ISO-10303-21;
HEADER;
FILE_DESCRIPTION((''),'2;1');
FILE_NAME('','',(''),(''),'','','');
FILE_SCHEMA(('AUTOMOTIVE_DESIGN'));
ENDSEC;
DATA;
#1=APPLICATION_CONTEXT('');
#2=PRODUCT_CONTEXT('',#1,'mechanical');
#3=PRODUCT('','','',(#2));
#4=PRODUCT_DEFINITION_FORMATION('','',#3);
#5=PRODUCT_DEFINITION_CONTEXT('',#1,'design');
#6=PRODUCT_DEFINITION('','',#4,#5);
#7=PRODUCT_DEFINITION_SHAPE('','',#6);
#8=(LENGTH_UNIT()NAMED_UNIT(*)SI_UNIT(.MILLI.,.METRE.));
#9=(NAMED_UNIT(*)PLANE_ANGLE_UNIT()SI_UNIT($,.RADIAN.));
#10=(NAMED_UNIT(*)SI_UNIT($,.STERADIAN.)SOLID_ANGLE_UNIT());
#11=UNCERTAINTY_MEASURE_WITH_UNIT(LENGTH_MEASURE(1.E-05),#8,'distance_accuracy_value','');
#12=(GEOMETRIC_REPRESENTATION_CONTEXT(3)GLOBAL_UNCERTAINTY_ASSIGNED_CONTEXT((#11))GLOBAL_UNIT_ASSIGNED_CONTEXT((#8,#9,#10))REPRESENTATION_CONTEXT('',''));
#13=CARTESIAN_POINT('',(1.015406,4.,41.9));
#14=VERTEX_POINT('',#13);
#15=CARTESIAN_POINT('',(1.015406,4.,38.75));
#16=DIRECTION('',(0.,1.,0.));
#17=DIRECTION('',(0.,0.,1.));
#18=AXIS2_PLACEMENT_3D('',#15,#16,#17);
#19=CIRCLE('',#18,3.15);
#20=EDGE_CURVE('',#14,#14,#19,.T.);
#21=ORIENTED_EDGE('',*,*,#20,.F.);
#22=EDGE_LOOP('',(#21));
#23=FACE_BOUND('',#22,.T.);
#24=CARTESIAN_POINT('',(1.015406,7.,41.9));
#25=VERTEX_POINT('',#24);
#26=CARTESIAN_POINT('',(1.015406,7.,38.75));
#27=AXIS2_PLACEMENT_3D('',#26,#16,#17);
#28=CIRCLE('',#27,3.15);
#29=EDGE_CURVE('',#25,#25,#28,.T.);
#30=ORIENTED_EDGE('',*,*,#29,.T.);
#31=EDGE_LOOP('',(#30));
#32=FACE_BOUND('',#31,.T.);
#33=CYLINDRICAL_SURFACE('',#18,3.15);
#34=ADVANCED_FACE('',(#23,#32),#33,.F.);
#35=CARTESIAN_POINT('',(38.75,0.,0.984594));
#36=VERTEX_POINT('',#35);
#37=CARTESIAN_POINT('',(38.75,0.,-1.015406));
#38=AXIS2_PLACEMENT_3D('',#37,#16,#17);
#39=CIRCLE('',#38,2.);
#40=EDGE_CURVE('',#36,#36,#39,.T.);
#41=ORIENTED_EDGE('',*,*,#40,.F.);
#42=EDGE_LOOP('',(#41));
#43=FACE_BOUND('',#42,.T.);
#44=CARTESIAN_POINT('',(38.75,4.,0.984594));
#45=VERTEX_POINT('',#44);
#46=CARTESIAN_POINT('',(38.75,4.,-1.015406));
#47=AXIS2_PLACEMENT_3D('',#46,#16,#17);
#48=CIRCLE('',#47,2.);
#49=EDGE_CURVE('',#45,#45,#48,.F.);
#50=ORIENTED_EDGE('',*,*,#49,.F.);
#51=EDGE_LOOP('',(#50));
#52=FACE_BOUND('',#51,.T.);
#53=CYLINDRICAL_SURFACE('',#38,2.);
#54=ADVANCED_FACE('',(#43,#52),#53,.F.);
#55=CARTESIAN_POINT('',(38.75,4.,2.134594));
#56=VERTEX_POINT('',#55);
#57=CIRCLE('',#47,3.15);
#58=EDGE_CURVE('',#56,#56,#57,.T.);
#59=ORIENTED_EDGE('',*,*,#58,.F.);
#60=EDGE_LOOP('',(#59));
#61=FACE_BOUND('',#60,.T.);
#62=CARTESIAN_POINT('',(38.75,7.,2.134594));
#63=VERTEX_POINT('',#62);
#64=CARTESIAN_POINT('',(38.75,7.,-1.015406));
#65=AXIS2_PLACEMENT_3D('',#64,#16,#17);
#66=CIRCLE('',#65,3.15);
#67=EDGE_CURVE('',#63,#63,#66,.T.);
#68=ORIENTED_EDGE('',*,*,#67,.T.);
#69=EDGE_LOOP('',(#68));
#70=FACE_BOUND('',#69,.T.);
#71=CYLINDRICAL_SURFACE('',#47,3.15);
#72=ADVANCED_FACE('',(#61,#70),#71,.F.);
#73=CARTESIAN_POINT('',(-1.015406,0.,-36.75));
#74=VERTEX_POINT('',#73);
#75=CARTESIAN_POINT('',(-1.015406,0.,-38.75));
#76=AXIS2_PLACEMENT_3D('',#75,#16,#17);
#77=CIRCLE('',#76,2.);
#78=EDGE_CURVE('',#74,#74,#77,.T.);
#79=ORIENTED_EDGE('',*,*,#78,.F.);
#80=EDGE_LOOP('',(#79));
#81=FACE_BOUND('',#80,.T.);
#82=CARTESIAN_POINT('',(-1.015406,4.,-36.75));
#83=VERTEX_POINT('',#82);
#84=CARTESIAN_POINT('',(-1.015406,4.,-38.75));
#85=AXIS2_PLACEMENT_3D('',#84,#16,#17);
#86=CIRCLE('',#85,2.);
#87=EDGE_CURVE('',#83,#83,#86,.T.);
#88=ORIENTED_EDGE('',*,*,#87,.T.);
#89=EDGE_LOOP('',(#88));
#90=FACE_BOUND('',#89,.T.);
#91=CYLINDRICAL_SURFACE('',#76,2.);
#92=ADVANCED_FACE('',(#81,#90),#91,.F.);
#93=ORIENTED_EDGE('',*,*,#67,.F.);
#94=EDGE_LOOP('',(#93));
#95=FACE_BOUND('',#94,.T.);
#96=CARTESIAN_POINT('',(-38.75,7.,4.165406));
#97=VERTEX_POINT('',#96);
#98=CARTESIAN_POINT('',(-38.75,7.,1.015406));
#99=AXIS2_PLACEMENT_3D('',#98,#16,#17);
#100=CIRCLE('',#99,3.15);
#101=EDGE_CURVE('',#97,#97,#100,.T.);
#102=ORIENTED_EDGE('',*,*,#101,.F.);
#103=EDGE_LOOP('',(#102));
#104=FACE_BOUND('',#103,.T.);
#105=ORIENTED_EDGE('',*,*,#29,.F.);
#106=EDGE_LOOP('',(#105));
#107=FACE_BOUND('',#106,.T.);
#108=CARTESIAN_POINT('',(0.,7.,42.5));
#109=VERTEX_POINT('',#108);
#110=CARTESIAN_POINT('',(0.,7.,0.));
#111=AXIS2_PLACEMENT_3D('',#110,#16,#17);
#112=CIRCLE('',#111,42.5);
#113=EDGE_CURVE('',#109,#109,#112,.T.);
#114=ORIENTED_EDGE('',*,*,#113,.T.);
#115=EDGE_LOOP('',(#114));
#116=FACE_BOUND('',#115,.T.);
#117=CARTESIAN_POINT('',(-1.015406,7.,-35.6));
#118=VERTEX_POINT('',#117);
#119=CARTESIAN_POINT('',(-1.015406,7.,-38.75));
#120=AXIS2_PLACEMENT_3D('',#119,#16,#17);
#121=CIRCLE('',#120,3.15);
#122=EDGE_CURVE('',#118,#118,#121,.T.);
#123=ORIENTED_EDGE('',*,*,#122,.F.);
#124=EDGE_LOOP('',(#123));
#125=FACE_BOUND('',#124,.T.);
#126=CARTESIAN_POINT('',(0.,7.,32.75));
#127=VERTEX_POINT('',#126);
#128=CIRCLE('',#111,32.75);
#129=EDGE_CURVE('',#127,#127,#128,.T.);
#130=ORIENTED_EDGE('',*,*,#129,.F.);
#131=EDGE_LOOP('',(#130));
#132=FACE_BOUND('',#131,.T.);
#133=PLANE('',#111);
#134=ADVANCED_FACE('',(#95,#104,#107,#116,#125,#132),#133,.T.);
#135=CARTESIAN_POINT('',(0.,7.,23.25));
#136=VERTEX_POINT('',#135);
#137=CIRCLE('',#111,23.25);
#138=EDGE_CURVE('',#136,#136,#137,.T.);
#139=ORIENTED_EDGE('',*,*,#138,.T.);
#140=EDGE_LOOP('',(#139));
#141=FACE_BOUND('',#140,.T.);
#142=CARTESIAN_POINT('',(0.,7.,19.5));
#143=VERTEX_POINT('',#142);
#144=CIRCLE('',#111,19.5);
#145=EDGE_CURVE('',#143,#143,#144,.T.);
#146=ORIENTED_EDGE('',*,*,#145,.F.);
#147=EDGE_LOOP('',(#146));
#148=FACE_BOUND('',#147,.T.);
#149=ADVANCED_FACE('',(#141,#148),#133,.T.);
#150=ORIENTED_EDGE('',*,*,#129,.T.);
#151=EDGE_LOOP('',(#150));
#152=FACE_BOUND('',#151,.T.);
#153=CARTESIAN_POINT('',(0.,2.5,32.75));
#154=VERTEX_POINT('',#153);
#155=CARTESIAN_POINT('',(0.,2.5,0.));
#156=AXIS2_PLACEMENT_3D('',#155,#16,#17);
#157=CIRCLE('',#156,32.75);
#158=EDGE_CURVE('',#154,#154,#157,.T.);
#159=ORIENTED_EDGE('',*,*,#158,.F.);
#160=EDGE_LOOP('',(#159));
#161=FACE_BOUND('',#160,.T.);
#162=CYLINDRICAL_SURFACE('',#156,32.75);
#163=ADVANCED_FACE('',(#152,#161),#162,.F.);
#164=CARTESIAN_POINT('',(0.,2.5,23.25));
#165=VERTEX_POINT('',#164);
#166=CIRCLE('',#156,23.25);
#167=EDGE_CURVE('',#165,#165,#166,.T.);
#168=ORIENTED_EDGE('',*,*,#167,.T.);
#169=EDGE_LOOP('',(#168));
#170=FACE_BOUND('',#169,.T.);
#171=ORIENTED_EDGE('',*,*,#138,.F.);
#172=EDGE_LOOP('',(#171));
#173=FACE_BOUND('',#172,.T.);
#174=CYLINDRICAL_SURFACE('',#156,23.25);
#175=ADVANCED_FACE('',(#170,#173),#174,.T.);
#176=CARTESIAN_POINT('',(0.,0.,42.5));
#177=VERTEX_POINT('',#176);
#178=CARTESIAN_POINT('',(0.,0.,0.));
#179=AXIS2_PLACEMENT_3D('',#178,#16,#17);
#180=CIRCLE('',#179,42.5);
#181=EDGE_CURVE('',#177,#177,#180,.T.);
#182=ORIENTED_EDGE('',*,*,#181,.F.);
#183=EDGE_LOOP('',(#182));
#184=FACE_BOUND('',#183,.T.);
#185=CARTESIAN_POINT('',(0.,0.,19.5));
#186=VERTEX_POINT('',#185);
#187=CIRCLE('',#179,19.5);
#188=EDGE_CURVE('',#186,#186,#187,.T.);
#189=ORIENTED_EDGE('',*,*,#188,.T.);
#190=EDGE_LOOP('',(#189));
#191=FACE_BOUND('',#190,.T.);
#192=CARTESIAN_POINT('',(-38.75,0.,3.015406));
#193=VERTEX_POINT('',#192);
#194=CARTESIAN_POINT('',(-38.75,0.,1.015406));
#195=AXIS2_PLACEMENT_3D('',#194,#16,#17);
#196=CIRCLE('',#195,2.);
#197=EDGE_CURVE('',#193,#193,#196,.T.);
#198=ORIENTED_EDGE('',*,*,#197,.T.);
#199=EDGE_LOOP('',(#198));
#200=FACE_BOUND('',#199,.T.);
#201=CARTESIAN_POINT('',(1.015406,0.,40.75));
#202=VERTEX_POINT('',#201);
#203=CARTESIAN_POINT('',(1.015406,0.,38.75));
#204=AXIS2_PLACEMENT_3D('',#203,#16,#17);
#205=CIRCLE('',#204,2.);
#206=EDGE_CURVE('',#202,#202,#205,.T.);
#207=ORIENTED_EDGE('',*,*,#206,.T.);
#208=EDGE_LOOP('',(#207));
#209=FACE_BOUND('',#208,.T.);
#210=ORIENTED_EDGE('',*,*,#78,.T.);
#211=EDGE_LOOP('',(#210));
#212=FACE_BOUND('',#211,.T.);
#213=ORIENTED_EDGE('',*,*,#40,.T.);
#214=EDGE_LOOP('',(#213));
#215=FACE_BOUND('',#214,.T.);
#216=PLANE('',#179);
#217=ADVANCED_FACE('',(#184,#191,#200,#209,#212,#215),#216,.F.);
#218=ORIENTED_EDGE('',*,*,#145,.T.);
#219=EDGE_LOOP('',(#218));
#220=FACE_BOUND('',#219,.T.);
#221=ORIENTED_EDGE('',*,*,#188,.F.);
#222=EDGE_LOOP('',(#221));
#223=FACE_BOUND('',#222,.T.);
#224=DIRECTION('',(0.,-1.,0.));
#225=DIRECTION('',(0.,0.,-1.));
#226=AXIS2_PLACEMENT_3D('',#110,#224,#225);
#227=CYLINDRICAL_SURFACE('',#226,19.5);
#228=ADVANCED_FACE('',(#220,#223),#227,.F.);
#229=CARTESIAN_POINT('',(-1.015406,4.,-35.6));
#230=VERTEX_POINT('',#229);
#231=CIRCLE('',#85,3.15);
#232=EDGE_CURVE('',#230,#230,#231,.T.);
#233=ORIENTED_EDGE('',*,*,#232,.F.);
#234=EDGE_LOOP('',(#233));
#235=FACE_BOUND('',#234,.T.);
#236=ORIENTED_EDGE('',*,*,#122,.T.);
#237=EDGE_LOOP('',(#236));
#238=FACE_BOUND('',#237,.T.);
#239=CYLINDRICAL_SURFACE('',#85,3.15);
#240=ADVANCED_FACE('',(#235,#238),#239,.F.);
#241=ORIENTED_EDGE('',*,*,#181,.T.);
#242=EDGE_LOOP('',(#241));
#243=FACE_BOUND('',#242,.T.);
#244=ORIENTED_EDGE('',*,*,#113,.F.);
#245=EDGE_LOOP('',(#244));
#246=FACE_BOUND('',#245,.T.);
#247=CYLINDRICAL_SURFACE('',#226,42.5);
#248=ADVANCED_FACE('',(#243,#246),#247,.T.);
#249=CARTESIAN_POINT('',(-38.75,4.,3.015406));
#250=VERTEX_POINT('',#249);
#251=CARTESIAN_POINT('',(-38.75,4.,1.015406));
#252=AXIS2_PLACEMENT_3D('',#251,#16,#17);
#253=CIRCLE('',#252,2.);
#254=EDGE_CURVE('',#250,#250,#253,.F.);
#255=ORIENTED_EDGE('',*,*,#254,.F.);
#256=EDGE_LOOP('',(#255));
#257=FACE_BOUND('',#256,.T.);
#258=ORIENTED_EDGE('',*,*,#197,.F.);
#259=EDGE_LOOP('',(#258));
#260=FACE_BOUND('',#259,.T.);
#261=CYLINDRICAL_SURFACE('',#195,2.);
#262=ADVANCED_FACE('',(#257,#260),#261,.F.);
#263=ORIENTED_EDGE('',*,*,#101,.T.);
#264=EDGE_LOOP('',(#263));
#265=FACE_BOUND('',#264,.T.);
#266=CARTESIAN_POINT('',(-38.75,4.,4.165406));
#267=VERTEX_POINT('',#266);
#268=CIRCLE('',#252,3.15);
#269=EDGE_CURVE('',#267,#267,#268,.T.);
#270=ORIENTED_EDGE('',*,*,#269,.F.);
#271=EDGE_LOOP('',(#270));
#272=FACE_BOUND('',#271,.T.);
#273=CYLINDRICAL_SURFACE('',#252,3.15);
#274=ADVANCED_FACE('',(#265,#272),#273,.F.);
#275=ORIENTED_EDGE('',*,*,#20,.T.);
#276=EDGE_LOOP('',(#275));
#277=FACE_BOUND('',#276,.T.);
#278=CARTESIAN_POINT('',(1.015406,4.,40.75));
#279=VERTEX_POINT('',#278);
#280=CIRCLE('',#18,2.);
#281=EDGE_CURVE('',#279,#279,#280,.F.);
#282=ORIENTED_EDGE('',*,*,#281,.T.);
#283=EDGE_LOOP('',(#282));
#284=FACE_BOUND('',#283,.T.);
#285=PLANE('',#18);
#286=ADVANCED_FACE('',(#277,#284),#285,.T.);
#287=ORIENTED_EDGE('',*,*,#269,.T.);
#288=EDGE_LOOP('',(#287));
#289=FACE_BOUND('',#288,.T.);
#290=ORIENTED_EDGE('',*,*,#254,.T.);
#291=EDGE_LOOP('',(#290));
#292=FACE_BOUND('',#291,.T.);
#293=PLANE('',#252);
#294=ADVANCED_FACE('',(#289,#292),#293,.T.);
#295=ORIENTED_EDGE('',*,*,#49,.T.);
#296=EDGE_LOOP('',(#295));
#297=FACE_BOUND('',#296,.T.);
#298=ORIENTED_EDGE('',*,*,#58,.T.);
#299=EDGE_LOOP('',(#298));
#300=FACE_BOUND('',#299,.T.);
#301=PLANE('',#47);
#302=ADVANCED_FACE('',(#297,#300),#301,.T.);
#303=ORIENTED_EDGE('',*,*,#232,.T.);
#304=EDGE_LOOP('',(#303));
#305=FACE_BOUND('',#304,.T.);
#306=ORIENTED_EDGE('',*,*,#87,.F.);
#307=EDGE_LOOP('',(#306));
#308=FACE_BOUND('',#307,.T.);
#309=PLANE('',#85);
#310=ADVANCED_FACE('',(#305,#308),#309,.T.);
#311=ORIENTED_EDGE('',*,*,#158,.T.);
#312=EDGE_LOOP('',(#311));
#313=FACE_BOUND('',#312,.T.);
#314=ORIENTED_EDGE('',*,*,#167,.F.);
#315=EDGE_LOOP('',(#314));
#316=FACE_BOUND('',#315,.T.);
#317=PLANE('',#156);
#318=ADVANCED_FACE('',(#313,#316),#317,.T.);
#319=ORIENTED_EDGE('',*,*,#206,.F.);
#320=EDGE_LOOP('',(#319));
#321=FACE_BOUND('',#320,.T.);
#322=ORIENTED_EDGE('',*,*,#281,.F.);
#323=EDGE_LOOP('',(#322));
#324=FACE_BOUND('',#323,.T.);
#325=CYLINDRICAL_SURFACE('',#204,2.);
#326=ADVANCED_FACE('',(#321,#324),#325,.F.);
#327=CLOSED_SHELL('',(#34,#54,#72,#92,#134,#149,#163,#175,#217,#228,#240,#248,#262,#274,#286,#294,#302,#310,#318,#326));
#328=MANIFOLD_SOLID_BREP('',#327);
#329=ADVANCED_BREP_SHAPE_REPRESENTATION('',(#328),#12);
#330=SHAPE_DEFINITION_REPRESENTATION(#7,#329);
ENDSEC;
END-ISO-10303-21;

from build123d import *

# Parameters (mm, degrees)
SKETCH1_R           = 42.5
SKETCH1_R_2         = 19.5
BOSS_EXTRUDE1_DEPTH = 7
SKETCH2_R           = 32.75
SKETCH2_R_2         = 23.25
CUT_EXTRUDE1_DEPTH  = 4.5
SKETCH3_R           = 2
CUT_EXTRUDE2_DEPTH  = 61.510329697
SKETCH4_R           = 3.15
SKETCH4_R_2         = 2
CUT_EXTRUDE3_DEPTH  = 3


with BuildPart() as part:
    # Sketch1 → Boss-Extrude1 (new body)
    with BuildSketch(Plane(origin=(0, 0, 0), x_dir=(1, 0, 0), z_dir=(0, 1, 0))):
        with Locations(Location((0, 0, 0), (0, 0, 270))):
            Circle(SKETCH1_R)
        with Locations(Location((0, 0, 0), (0, 0, 270))):
            Circle(SKETCH1_R_2, mode=Mode.SUBTRACT)
    extrude(amount=BOSS_EXTRUDE1_DEPTH)

    # Sketch2 → Cut-Extrude1 (cut)
    with BuildSketch(Plane(origin=(0, 7, 0), x_dir=(1, 0, 0), z_dir=(0, 1, 0))):
        with Locations(Location((0, 0, 0), (0, 0, 270))):
            Circle(SKETCH2_R)
        with Locations(Location((0, 0, 0), (0, 0, 270))):
            Circle(SKETCH2_R_2, mode=Mode.SUBTRACT)
    extrude(amount=-CUT_EXTRUDE1_DEPTH, mode=Mode.SUBTRACT)

    # Sketch3 → Cut-Extrude2 (cut, through all)
    with BuildSketch(Plane(origin=(0, 7, 0), x_dir=(1, 0, 0), z_dir=(0, 1, 0))):
        with Locations(Location((-38.75, -1.015406046, 0), (0, 0, 270))):
            Circle(SKETCH3_R)
        with Locations(Location((-1.015406046, 38.75, 0), (0, 0, 270))):
            Circle(SKETCH3_R)
        with Locations(Location((38.75, 1.015406046, 0), (0, 0, 270))):
            Circle(SKETCH3_R)
        with Locations(Location((1.015406046, -38.75, 0), (0, 0, 270))):
            Circle(SKETCH3_R)
    extrude(amount=-CUT_EXTRUDE2_DEPTH, mode=Mode.SUBTRACT)

    # Sketch4 → Cut-Extrude3 (cut)
    # profile 1 of 4: a face of its own
    with BuildSketch(Plane(origin=(0, 7, 0), x_dir=(1, 0, 0), z_dir=(0, 1, 0))):
        with Locations(Location((-1.015406046, 38.75, 0), (0, 0, 270))):
            Circle(SKETCH4_R)
        with Locations(Location((-1.015406046, 38.75, 0), (0, 0, 270))):
            Circle(SKETCH4_R_2, mode=Mode.SUBTRACT)
    # profile 2 of 4: a face of its own
    with BuildSketch(Plane(origin=(0, 7, 0), x_dir=(1, 0, 0), z_dir=(0, 1, 0))):
        with Locations(Location((38.75, 1.015406046, 0), (0, 0, 270))):
            Circle(SKETCH4_R)
    # profile 3 of 4: a face of its own
    with BuildSketch(Plane(origin=(0, 7, 0), x_dir=(1, 0, 0), z_dir=(0, 1, 0))):
        with Locations(Location((1.015406046, -38.75, 0), (0, 0, 270))):
            Circle(SKETCH4_R)
    # profile 4 of 4: a face of its own
    with BuildSketch(Plane(origin=(0, 7, 0), x_dir=(1, 0, 0), z_dir=(0, 1, 0))):
        with Locations(Location((-38.75, -1.015406046, 0), (0, 0, 270))):
            Circle(SKETCH4_R)
    extrude(amount=-CUT_EXTRUDE3_DEPTH, mode=Mode.SUBTRACT)


solid = part.part
